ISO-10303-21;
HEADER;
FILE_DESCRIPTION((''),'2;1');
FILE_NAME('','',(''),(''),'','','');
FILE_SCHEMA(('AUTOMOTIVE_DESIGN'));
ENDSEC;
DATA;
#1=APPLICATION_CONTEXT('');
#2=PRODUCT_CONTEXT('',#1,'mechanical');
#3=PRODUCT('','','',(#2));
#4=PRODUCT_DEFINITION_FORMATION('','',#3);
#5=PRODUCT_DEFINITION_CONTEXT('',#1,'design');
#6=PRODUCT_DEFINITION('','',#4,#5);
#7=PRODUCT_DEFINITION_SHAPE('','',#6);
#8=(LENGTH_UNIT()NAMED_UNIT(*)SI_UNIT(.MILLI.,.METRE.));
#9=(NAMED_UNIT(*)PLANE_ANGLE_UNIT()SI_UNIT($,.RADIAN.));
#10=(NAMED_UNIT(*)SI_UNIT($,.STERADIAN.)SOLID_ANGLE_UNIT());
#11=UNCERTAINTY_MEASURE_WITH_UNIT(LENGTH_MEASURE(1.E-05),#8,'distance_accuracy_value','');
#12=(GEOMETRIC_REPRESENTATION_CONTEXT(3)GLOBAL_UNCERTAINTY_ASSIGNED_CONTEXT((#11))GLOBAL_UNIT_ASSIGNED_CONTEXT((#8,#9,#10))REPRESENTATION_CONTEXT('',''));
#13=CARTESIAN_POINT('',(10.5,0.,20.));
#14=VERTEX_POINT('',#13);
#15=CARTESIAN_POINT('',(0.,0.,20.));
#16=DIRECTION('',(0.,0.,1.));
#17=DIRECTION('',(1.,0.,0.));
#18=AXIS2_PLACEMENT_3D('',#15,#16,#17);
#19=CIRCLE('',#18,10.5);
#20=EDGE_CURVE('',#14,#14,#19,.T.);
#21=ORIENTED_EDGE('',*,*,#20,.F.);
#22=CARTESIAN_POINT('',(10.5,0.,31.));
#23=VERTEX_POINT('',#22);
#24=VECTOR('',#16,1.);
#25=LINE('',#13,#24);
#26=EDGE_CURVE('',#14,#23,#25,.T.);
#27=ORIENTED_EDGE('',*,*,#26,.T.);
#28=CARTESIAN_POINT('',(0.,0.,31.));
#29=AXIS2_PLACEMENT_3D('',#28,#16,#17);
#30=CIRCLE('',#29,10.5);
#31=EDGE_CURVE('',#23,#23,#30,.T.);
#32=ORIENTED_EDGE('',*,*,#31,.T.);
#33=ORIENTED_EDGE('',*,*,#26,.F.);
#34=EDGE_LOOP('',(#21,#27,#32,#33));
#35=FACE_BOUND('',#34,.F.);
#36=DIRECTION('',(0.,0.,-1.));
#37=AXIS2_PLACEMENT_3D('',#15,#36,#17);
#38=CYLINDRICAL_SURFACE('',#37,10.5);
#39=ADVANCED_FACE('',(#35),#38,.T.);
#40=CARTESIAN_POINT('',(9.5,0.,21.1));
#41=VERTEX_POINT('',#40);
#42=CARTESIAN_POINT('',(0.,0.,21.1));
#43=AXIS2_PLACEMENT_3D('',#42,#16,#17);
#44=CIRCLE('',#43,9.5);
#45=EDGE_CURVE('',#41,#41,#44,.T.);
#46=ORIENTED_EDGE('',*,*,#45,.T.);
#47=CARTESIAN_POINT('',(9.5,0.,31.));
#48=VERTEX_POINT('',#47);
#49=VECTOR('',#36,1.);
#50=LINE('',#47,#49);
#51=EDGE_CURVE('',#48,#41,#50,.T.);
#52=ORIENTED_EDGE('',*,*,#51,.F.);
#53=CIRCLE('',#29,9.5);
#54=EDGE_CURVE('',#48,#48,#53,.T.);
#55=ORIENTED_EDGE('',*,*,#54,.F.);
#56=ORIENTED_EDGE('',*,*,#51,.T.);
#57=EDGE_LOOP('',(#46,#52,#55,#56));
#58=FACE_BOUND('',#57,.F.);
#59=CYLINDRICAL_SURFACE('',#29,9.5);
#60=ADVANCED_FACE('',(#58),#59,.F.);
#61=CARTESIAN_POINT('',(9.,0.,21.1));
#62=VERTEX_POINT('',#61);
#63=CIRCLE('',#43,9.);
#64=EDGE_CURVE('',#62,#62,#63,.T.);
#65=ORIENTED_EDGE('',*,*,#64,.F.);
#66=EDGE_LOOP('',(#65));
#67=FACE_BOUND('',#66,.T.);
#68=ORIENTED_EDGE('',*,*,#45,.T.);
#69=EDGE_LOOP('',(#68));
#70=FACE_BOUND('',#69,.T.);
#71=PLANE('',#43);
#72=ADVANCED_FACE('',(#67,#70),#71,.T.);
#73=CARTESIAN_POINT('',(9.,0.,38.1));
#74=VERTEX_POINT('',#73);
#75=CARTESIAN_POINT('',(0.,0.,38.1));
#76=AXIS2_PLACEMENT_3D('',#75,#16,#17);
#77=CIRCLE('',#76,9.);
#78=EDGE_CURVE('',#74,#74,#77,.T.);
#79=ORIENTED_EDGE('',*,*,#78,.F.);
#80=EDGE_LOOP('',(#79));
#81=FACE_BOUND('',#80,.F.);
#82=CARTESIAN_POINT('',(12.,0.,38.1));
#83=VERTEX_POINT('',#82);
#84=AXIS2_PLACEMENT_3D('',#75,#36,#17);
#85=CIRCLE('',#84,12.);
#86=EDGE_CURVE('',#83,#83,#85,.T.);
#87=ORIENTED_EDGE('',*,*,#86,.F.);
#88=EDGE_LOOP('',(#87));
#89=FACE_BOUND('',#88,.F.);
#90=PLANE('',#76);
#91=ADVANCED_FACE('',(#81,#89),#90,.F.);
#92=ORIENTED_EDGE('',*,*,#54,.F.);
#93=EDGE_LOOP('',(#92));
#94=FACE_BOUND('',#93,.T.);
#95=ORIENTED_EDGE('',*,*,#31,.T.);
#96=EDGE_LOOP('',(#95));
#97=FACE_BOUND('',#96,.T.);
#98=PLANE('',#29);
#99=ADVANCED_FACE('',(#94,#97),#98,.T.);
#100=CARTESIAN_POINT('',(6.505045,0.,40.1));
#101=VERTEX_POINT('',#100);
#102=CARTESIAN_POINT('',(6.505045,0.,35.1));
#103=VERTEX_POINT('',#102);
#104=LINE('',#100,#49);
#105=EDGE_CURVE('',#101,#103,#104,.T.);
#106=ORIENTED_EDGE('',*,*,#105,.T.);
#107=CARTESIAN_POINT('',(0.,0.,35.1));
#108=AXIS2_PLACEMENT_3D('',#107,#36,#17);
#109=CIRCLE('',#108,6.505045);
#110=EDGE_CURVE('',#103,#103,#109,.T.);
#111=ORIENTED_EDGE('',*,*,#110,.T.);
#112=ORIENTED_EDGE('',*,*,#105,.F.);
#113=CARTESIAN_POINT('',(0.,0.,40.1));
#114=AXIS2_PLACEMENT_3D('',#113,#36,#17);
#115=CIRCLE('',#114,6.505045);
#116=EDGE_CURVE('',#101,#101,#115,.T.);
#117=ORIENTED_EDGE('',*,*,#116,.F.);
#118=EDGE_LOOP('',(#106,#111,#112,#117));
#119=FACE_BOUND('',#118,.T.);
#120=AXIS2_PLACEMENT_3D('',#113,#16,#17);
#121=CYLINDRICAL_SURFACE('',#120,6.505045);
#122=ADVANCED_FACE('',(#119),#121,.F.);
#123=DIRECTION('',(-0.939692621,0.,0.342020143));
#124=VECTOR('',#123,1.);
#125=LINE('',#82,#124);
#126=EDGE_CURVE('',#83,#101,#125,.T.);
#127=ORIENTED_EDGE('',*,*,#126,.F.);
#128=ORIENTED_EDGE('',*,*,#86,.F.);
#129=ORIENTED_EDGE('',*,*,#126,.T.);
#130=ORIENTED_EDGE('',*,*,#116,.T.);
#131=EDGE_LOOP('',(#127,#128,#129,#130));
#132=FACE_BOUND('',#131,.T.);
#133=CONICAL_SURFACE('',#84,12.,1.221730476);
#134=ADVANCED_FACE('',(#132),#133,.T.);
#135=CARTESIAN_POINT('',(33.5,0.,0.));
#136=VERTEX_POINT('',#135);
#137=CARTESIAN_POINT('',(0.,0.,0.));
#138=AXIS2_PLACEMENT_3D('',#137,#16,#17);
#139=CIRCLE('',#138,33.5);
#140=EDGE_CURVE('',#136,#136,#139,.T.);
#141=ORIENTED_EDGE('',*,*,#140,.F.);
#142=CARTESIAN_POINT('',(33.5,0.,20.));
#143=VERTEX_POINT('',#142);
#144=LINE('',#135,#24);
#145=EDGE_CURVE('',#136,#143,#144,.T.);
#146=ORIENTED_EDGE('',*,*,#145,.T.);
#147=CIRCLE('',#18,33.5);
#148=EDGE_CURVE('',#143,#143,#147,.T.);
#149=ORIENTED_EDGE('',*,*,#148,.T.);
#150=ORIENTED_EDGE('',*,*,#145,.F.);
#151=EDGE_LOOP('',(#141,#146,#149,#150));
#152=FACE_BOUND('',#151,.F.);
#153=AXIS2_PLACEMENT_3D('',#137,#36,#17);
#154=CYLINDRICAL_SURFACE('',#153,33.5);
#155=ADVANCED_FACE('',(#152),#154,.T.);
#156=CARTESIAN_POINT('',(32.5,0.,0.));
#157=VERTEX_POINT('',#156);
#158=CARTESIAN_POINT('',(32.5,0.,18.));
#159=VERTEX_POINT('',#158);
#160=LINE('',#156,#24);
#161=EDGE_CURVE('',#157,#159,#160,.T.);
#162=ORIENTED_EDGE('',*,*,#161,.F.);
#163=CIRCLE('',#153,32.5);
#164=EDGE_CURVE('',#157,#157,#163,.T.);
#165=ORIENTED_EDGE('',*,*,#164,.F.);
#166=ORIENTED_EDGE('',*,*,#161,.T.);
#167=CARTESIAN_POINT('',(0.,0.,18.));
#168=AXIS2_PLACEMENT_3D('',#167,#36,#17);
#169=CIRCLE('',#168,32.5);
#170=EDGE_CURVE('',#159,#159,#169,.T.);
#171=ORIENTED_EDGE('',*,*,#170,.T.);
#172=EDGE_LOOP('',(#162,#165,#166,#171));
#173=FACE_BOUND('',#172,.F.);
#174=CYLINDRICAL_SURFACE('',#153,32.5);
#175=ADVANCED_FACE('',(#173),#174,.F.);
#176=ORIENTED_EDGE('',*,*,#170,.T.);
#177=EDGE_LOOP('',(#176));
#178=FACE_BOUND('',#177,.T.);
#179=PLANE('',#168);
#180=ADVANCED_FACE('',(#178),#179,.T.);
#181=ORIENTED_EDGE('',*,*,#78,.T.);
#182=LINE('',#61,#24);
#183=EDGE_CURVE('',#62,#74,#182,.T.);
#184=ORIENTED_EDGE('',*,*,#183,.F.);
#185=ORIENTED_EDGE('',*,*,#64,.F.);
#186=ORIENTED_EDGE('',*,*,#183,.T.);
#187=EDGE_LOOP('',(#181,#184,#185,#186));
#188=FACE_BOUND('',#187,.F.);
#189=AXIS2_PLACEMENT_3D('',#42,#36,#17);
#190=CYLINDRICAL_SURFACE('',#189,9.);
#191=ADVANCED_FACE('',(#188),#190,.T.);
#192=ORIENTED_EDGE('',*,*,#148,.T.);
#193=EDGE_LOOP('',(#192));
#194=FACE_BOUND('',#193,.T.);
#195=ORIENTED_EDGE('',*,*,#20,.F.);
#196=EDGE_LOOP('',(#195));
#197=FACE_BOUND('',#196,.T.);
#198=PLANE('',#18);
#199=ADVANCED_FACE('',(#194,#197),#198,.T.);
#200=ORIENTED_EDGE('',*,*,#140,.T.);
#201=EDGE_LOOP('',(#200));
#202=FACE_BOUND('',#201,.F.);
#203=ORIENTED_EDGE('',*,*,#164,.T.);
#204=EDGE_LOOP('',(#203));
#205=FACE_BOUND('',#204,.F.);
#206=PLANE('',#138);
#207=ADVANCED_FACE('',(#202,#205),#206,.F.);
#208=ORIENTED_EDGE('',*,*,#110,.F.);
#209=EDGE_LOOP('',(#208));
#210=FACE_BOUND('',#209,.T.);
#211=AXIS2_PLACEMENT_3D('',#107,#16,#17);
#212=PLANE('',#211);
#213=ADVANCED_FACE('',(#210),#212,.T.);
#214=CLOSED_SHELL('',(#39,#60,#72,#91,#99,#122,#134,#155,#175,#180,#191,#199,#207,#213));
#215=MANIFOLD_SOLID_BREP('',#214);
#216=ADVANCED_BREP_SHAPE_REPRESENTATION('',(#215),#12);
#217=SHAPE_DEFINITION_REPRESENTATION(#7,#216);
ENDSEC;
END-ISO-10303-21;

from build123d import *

# Parameters (mm, degrees)
F0_R      = 33.5
F1_DEPTH  = 20
F2_R      = 32.5
F3_DEPTH  = 18
F4_R      = 10.5
F5_DEPTH  = 11
F6_R      = 9.5
F7_DEPTH  = 9.9
F8_R      = 9
F9_DEPTH  = 17
F10_R     = 12
F11_DEPTH = 2
F11_TAPER = 70
F12_DEPTH = 5


with BuildPart() as f1:
    # F0 (on Top) → F1 (new body)
    with BuildSketch(Plane.XY):
        Circle(F0_R)
    extrude(amount=F1_DEPTH)

    # F2 (on face) → F3 (cut)
    with BuildSketch(Plane(origin=(0, 0, 0), x_dir=(1, 0, 0), z_dir=(0, 0, -1))):
        Circle(F2_R)
    extrude(amount=-F3_DEPTH, mode=Mode.SUBTRACT)

    # F4 (on face) → F5 (join)
    with BuildSketch(Plane.XY.offset(20)):
        Circle(F4_R)
    extrude(amount=F5_DEPTH)

    # F6 (on face) → F7 (cut)
    with BuildSketch(Plane.XY.offset(31)):
        Circle(F6_R)
    extrude(amount=-F7_DEPTH, mode=Mode.SUBTRACT)

    # F8 (on face) → F9 (join)
    with BuildSketch(Plane.XY.offset(21.1)):
        Circle(F8_R)
    extrude(amount=F9_DEPTH)

    # F10 (on face) → F11 (join)
    with BuildSketch(Plane.XY.offset(38.1)):
        Circle(F10_R)
    extrude(amount=F11_DEPTH, taper=F11_TAPER)

    # F12 (cut): a face of the model
    f12_faces = [f1.faces().sort_by_distance(p)[0] for p in [
        (0, 0, 40.1),
    ]]
    extrude(f12_faces, amount=-F12_DEPTH, mode=Mode.SUBTRACT)


solid = f1.part
